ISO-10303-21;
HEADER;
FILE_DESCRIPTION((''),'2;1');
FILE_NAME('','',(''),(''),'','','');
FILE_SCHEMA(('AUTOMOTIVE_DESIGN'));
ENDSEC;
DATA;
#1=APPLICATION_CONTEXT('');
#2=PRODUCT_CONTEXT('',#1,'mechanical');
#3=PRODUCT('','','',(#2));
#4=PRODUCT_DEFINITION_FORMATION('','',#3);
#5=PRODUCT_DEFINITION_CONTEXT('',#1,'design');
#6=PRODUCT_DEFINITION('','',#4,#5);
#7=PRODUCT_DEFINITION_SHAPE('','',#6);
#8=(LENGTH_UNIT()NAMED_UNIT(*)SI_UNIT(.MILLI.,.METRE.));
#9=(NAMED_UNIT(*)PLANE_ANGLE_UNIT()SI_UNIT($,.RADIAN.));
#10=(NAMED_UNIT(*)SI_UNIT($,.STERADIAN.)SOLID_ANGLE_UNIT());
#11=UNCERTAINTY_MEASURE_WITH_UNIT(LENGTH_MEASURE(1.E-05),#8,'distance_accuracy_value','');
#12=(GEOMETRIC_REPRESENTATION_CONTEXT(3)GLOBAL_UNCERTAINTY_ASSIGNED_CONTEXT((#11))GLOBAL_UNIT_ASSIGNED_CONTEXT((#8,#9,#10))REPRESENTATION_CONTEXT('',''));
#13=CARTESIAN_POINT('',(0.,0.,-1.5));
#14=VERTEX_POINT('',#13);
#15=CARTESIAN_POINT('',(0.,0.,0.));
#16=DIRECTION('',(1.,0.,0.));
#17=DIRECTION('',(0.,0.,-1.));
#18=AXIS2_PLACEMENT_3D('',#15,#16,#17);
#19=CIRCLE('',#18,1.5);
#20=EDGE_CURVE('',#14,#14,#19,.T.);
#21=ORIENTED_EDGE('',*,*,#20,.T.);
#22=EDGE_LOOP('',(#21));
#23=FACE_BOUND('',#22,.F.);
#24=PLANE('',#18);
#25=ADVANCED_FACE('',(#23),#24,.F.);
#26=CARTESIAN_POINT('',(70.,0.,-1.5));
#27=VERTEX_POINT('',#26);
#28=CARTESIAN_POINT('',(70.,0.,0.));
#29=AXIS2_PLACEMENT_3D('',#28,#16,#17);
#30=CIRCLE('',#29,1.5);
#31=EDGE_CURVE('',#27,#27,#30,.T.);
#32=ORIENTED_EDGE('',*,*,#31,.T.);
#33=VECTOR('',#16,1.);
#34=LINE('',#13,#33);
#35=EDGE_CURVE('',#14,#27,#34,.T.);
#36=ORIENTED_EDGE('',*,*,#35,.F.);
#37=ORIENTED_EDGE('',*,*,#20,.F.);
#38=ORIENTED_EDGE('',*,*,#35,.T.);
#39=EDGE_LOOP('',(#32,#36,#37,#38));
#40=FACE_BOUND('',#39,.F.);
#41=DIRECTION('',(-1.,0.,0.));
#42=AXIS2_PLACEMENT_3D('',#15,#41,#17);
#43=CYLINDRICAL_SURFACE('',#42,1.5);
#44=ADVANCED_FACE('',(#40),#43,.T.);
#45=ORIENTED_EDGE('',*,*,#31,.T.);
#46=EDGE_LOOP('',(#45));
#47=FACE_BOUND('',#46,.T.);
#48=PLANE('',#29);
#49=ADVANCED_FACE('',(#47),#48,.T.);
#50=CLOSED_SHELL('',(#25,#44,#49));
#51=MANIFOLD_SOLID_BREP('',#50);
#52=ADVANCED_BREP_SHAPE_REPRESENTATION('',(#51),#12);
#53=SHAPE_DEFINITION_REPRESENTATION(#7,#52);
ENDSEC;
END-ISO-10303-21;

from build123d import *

# Parameters (mm, degrees)
SKETCH1_R           = 1.5
BOSS_EXTRUDE1_DEPTH = 70


with BuildPart() as part:
    # Sketch1 → Boss-Extrude1 (new body)
    with BuildSketch(Plane(origin=(0, 0, 0), x_dir=(0, 0, -1), z_dir=(1, 0, 0))):
        Circle(SKETCH1_R)
    extrude(amount=BOSS_EXTRUDE1_DEPTH)


solid = part.part
